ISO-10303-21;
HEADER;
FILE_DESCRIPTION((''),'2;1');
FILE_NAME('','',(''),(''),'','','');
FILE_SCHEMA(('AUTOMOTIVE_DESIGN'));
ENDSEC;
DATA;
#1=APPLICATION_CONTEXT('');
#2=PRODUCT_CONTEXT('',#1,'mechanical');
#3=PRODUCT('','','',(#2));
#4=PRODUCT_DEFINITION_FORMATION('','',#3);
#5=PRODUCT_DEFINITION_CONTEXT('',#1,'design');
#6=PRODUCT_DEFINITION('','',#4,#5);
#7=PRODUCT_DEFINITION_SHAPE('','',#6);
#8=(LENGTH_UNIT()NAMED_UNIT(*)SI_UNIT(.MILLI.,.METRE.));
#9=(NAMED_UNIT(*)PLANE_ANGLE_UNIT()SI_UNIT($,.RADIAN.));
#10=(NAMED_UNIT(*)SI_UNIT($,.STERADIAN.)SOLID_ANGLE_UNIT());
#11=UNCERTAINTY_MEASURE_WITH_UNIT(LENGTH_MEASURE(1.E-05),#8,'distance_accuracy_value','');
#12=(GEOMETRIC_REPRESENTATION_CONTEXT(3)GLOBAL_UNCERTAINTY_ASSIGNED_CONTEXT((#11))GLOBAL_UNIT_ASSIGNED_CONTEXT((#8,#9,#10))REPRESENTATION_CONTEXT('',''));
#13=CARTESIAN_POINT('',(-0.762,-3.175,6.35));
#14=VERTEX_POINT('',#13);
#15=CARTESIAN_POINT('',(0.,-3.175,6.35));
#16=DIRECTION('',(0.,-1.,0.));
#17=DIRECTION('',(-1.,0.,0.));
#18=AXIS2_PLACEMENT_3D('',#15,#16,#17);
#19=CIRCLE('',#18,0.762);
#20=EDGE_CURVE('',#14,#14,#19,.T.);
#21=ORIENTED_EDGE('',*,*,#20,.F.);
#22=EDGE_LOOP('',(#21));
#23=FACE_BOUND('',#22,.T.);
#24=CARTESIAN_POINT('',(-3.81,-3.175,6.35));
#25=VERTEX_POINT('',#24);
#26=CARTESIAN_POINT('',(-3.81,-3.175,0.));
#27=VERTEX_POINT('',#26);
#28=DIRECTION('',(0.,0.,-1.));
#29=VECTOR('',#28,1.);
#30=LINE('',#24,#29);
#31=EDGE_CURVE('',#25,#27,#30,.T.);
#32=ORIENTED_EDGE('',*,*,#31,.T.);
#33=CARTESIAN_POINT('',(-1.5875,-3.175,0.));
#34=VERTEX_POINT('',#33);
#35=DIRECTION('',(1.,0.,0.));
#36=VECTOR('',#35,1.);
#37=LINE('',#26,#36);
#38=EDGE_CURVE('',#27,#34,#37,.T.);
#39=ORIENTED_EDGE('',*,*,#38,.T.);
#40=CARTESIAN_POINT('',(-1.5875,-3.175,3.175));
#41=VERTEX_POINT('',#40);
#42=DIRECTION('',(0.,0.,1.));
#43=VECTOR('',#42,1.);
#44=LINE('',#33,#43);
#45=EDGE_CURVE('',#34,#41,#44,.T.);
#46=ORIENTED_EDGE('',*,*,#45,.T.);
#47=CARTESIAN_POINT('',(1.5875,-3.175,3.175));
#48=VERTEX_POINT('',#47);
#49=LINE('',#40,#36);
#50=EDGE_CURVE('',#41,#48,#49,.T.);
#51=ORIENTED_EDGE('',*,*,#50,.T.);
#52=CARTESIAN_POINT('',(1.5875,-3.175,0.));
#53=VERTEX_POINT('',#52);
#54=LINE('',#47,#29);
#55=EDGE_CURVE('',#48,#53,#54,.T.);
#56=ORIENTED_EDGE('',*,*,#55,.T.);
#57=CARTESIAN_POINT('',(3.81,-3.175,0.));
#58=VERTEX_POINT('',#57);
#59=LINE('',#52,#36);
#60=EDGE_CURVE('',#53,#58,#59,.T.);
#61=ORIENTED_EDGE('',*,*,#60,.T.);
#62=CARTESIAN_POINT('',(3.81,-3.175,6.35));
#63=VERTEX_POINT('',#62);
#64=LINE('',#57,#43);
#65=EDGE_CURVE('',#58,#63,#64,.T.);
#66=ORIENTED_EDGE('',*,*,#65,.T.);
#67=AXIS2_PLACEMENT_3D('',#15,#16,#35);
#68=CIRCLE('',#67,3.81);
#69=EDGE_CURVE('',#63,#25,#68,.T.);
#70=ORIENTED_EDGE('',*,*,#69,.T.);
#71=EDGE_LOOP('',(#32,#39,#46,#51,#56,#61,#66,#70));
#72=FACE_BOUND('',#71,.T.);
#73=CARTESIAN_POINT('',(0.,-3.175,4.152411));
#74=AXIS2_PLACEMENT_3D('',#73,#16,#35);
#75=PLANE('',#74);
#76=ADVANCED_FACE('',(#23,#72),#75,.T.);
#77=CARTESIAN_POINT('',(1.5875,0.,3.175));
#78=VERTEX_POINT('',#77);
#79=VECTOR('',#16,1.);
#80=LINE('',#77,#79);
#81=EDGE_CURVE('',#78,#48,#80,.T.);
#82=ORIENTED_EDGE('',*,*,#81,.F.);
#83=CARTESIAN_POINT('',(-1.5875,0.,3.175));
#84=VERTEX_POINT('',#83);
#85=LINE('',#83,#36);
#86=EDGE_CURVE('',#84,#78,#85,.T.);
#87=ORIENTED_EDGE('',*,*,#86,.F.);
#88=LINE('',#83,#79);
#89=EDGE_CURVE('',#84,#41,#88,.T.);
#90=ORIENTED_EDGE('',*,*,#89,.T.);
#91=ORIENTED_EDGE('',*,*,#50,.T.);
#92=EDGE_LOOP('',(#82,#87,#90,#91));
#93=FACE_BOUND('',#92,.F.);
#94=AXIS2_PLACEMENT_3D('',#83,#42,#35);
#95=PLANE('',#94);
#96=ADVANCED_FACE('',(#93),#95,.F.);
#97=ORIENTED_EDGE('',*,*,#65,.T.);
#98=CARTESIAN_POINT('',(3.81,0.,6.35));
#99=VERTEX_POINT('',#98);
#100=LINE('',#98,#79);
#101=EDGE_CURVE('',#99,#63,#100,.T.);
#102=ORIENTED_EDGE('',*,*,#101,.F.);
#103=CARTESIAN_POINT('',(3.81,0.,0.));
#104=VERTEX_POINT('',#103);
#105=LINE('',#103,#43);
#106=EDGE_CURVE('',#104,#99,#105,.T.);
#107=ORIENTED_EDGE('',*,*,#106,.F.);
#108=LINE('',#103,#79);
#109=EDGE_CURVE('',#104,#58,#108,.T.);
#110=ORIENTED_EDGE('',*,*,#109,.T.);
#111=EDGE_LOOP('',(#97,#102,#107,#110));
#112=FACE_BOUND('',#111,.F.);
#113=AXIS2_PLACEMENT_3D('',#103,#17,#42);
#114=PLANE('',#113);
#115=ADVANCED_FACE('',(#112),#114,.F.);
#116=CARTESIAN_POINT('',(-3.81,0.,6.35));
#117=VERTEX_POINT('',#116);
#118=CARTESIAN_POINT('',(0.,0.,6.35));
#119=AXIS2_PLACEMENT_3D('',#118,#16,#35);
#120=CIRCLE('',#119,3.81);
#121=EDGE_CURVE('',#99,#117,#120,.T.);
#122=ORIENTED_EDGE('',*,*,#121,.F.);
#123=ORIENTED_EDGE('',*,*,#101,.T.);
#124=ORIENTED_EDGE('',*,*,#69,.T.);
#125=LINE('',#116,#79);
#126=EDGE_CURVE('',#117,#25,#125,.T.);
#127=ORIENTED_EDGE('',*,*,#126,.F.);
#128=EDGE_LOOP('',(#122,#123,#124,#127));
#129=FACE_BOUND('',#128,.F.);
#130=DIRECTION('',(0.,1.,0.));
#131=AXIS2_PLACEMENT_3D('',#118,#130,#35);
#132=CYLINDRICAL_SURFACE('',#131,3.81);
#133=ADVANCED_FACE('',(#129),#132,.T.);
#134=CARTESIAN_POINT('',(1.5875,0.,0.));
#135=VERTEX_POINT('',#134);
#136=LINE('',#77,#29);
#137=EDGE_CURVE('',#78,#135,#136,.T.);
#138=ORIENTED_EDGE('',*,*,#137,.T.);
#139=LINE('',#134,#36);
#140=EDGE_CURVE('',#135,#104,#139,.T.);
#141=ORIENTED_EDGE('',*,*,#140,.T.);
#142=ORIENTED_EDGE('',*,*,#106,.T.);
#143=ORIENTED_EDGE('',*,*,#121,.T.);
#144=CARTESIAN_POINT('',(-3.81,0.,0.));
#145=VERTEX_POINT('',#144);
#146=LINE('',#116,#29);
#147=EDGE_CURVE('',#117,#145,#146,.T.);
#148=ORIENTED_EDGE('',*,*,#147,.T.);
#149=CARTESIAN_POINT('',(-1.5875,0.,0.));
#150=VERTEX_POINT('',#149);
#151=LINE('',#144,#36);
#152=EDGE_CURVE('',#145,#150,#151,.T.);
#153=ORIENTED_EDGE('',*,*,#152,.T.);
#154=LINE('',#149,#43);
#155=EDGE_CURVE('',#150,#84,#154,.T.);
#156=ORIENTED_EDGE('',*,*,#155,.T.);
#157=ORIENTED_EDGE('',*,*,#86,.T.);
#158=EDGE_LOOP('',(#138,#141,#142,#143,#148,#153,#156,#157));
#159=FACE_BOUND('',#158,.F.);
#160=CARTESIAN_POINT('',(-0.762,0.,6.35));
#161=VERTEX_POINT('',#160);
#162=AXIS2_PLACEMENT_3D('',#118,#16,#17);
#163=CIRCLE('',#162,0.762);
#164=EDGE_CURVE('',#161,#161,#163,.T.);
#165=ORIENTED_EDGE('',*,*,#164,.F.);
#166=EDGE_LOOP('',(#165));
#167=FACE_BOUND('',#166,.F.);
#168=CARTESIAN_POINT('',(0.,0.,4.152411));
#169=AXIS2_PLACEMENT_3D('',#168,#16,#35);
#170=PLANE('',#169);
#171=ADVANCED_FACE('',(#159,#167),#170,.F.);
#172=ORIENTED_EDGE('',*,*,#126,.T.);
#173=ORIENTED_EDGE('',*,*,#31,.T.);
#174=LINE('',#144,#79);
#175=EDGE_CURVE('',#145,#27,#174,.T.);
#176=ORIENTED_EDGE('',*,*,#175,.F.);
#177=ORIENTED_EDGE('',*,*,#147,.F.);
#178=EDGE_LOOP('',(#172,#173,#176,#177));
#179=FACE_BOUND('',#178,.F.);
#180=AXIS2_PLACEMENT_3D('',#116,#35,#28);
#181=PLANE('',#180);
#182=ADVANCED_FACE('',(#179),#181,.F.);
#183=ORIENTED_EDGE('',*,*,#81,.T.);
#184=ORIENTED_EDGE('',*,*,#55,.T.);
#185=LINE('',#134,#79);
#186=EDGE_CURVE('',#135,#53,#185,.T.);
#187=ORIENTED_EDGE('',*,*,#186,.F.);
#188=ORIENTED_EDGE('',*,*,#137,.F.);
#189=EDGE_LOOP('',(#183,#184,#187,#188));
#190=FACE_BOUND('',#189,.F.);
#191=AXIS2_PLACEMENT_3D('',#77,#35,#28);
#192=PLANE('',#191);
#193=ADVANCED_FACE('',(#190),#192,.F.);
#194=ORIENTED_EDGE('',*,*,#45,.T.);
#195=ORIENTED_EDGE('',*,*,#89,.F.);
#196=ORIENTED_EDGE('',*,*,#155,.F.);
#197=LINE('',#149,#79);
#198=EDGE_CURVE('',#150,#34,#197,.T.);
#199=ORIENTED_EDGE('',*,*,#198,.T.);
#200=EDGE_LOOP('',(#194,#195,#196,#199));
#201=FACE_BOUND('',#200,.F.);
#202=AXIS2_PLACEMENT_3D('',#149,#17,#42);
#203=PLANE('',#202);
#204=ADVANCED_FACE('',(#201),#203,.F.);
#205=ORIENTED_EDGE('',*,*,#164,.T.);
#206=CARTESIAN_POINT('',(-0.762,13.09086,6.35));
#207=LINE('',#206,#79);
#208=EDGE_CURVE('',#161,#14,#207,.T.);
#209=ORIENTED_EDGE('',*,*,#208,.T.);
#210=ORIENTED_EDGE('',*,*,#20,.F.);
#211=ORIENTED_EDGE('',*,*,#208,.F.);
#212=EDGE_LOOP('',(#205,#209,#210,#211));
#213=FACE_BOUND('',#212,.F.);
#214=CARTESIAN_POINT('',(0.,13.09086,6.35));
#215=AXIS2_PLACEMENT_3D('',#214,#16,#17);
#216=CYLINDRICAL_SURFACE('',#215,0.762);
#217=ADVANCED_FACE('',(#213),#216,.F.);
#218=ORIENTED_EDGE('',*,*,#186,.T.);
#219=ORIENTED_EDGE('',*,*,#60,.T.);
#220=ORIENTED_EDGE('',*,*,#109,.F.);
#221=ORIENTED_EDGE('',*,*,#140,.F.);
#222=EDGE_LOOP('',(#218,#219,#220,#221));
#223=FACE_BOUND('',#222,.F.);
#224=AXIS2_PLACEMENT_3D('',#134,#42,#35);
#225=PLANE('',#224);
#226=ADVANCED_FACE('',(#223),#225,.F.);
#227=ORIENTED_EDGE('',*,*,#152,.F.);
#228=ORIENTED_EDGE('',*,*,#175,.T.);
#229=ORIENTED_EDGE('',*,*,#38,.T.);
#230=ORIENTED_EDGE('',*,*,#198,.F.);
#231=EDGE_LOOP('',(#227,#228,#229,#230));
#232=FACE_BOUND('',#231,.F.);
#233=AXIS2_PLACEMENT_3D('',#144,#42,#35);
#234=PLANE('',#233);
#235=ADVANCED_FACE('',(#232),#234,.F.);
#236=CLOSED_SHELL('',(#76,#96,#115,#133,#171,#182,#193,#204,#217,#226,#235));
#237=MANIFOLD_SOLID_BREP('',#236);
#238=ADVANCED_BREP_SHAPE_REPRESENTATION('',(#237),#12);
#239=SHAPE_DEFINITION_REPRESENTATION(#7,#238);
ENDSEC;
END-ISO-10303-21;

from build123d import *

# Parameters (mm, degrees)
F1_DEPTH = 3.175
F2_D     = 1.524


with BuildPart() as f1:
    # F0 (on Front) → F1 (new body)
    with BuildSketch(Plane.XZ):
        with BuildLine():
            Line((-3.81, 6.35), (-3.81, 0))
            Line((-3.81, 0), (-1.5875, 0))
            Line((-1.5875, 0), (-1.5875, 3.175))
            Line((-1.5875, 3.175), (1.5875, 3.175))
            Line((1.5875, 3.175), (1.5875, 0))
            Line((1.5875, 0), (3.81, 0))
            Line((3.81, 0), (3.81, 6.35))
            ThreePointArc((3.81, 6.35), (0, 10.16), (-3.81, 6.35))
        make_face()
    extrude(amount=F1_DEPTH)

    # F2 (through all)
    with Locations(Plane(origin=(0, 0, 0), x_dir=(1, 0, 0), z_dir=(0, 1, 0))):
        with Locations((0, -6.35)):
            Hole(F2_D / 2)


solid = f1.part
